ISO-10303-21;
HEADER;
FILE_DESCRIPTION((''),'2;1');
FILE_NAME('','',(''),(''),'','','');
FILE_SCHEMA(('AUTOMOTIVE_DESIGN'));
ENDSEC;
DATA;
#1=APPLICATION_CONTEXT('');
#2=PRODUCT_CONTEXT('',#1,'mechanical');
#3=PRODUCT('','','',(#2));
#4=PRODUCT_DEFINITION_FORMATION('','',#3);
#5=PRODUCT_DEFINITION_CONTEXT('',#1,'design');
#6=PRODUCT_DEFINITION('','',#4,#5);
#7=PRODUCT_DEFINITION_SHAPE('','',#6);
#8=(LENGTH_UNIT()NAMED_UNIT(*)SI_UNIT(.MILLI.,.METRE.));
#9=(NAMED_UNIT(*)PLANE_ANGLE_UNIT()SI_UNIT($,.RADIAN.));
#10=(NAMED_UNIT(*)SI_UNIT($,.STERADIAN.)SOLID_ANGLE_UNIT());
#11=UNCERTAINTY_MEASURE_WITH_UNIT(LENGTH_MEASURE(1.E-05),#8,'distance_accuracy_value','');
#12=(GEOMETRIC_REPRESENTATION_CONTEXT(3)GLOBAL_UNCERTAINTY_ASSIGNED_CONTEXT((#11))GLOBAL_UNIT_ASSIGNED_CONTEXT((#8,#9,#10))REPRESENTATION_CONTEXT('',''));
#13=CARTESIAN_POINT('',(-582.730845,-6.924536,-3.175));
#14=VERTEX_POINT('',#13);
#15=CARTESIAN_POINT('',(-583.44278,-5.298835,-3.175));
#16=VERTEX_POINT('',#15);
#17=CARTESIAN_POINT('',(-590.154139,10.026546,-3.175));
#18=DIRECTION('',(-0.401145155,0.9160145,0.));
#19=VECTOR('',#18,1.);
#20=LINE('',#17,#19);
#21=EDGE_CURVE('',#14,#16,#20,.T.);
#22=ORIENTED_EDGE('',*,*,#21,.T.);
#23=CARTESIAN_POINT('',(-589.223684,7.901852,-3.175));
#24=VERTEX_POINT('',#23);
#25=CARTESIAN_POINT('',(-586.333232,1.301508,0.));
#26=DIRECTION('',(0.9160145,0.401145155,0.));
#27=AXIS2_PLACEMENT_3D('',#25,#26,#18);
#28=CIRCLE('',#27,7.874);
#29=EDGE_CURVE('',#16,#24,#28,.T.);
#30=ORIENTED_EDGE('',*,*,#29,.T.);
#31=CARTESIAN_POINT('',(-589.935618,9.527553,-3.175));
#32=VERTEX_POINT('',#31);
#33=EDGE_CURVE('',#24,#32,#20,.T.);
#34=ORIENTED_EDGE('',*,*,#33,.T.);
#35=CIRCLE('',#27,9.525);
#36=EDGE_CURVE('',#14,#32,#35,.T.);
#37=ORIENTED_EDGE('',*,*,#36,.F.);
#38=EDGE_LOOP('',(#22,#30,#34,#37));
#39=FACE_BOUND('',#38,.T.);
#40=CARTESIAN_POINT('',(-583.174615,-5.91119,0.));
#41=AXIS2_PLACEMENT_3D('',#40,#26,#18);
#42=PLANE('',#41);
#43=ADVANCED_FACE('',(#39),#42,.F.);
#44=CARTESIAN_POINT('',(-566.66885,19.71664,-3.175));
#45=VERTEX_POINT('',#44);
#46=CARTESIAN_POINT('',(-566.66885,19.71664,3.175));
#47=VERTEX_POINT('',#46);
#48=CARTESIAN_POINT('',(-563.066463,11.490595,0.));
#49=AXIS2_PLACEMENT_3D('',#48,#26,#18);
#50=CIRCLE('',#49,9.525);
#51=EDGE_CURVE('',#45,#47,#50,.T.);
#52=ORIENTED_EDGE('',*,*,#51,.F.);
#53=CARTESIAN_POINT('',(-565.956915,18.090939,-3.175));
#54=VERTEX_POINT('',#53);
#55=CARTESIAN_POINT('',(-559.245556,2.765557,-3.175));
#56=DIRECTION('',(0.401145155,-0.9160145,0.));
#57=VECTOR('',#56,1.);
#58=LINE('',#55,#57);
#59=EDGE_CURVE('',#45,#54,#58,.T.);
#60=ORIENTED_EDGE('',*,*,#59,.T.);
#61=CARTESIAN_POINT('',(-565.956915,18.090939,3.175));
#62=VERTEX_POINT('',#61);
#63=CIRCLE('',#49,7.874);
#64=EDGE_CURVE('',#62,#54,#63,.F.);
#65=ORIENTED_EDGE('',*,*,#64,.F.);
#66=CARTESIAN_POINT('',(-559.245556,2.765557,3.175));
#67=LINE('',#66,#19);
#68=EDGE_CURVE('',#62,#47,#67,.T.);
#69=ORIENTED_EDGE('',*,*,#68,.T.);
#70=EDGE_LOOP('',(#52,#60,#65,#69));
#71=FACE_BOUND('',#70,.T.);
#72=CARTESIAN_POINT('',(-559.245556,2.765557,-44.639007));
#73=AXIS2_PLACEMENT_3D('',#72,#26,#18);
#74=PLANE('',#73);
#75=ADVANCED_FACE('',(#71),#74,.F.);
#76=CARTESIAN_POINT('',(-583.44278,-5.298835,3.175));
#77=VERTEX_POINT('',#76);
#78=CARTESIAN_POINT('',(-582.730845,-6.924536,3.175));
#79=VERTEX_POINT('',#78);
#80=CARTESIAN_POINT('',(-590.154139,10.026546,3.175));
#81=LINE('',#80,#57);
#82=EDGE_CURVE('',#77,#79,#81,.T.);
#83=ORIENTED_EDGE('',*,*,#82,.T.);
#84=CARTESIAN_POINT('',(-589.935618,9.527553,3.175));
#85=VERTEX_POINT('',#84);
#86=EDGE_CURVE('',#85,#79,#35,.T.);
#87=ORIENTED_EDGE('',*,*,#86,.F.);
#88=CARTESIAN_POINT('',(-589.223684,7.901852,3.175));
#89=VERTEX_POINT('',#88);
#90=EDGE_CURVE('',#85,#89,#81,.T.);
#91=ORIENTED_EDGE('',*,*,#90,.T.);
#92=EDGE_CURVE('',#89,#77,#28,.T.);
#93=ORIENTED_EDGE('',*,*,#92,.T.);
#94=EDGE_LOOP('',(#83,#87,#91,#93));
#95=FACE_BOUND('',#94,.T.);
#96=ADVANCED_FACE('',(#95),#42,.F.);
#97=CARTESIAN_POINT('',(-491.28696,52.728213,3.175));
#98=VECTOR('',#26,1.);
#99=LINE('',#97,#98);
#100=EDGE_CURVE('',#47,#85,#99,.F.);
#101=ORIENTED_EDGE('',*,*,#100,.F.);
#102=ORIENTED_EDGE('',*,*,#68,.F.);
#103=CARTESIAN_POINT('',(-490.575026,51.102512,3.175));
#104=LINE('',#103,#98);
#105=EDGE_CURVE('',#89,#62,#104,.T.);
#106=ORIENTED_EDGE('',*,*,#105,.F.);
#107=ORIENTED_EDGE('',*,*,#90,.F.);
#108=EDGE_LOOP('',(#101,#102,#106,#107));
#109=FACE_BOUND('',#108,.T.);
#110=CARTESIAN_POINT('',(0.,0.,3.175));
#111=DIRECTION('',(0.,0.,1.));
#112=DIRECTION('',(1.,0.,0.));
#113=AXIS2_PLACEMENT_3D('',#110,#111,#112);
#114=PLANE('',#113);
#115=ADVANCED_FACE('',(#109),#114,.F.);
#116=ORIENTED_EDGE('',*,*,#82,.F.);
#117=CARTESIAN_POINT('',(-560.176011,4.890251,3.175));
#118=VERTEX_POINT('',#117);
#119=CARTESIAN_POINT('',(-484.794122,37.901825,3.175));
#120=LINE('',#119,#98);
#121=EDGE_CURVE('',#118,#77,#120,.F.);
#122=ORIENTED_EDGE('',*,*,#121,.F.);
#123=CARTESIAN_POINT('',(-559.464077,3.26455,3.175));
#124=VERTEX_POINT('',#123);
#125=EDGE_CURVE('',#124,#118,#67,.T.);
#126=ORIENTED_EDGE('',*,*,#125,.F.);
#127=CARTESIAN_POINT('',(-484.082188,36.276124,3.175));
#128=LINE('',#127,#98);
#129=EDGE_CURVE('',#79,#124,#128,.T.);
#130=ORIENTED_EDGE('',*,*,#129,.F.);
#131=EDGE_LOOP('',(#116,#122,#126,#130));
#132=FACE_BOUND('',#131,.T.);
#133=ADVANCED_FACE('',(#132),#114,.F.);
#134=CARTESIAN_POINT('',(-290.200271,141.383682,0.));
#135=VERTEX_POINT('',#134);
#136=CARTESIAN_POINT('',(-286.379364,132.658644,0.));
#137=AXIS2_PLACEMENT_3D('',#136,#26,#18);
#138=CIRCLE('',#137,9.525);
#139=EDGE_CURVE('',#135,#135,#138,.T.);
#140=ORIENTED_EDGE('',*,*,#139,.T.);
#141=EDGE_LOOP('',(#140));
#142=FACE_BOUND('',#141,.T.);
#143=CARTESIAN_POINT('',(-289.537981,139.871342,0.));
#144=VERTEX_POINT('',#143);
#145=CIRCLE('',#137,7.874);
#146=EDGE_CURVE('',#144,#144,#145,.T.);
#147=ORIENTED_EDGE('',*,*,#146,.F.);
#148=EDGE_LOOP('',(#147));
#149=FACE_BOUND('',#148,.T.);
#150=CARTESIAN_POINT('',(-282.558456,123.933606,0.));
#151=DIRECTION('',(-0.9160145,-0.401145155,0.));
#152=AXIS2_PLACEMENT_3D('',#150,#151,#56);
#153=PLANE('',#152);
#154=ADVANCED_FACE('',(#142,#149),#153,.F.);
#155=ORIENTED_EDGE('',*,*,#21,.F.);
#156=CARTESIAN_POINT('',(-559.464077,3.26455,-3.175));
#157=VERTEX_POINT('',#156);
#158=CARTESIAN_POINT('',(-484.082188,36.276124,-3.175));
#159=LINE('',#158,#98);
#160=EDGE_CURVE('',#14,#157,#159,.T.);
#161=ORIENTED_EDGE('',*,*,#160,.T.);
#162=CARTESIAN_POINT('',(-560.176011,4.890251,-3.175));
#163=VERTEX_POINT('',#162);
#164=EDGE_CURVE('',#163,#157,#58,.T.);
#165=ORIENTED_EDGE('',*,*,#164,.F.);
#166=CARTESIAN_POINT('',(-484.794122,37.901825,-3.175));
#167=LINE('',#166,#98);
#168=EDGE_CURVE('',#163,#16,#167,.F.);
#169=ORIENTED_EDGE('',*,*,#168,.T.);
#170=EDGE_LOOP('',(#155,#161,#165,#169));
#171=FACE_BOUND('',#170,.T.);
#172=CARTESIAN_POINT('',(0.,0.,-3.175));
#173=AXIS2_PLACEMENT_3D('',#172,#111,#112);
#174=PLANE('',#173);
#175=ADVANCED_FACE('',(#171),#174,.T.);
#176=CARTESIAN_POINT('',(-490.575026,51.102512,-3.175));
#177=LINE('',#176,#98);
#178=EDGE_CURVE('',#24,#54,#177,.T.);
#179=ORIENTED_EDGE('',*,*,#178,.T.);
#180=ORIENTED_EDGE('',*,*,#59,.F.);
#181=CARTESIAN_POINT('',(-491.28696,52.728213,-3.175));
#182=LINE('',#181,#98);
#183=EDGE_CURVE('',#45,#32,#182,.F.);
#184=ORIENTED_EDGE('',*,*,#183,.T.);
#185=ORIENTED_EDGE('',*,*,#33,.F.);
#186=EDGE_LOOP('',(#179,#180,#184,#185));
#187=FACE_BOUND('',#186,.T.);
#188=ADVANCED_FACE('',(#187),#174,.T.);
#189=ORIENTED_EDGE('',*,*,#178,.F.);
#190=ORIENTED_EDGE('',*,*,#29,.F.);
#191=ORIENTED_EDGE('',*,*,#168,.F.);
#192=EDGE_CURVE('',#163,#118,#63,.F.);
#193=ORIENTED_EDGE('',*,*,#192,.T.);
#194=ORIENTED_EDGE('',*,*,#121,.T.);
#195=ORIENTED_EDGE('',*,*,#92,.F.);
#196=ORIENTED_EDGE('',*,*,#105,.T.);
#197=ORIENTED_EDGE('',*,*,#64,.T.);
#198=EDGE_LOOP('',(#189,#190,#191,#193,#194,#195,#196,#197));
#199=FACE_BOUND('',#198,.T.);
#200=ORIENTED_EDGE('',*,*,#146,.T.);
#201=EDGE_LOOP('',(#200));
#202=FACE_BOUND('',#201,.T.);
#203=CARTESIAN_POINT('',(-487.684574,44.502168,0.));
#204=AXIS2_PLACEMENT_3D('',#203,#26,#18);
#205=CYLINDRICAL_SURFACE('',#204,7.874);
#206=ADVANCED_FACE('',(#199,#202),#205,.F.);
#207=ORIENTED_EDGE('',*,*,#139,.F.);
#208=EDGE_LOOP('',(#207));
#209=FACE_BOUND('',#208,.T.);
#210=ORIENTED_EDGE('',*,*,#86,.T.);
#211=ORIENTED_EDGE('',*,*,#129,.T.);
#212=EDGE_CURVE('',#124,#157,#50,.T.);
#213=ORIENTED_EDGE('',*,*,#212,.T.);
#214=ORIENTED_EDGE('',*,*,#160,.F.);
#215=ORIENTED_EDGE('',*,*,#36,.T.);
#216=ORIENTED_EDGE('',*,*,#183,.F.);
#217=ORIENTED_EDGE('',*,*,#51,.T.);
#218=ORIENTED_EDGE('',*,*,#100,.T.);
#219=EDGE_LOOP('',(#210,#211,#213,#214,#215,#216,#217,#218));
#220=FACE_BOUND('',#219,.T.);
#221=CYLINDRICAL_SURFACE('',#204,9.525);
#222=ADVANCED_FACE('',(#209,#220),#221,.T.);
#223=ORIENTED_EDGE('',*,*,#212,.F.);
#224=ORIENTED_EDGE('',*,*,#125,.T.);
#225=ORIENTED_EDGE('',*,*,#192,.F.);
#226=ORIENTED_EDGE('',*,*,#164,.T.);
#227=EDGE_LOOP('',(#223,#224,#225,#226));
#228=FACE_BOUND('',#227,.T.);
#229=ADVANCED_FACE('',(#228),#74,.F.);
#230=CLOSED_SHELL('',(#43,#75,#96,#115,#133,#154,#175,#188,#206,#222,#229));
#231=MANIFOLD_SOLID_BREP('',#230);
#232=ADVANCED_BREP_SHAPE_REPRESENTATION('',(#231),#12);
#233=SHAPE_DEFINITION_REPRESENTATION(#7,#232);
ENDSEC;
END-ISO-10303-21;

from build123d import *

# Parameters (mm, degrees)
CUT_EXTRUDE1_START = -3.175
CUT_EXTRUDE1_DEPTH = 6.35


with BuildPart() as part:
    # Sketch1 → Revolve1 (revolve)
    with BuildSketch(Plane.XY):
        Polygon((-283.220746633, 125.445945871), (-583.174614745, -5.911189845), (-582.512324093, -7.423529785), (-282.558455982, 123.933605931), align=None)
    revolve(axis=Axis((-487.684573981, 44.502168488, 0), (-0.9160145, -0.401145155, 0)))

    # Sketch2 → Cut-Extrude1 (cut)
    with BuildSketch(Plane.XY.offset(CUT_EXTRUDE1_START)):
        Polygon((-566.887371, 20.215633386), (-590.154139302, 10.026546442), (-582.512324093, -7.423529785), (-559.245555791, 2.76555716), align=None)
    extrude(amount=CUT_EXTRUDE1_DEPTH, mode=Mode.SUBTRACT)


solid = part.part
